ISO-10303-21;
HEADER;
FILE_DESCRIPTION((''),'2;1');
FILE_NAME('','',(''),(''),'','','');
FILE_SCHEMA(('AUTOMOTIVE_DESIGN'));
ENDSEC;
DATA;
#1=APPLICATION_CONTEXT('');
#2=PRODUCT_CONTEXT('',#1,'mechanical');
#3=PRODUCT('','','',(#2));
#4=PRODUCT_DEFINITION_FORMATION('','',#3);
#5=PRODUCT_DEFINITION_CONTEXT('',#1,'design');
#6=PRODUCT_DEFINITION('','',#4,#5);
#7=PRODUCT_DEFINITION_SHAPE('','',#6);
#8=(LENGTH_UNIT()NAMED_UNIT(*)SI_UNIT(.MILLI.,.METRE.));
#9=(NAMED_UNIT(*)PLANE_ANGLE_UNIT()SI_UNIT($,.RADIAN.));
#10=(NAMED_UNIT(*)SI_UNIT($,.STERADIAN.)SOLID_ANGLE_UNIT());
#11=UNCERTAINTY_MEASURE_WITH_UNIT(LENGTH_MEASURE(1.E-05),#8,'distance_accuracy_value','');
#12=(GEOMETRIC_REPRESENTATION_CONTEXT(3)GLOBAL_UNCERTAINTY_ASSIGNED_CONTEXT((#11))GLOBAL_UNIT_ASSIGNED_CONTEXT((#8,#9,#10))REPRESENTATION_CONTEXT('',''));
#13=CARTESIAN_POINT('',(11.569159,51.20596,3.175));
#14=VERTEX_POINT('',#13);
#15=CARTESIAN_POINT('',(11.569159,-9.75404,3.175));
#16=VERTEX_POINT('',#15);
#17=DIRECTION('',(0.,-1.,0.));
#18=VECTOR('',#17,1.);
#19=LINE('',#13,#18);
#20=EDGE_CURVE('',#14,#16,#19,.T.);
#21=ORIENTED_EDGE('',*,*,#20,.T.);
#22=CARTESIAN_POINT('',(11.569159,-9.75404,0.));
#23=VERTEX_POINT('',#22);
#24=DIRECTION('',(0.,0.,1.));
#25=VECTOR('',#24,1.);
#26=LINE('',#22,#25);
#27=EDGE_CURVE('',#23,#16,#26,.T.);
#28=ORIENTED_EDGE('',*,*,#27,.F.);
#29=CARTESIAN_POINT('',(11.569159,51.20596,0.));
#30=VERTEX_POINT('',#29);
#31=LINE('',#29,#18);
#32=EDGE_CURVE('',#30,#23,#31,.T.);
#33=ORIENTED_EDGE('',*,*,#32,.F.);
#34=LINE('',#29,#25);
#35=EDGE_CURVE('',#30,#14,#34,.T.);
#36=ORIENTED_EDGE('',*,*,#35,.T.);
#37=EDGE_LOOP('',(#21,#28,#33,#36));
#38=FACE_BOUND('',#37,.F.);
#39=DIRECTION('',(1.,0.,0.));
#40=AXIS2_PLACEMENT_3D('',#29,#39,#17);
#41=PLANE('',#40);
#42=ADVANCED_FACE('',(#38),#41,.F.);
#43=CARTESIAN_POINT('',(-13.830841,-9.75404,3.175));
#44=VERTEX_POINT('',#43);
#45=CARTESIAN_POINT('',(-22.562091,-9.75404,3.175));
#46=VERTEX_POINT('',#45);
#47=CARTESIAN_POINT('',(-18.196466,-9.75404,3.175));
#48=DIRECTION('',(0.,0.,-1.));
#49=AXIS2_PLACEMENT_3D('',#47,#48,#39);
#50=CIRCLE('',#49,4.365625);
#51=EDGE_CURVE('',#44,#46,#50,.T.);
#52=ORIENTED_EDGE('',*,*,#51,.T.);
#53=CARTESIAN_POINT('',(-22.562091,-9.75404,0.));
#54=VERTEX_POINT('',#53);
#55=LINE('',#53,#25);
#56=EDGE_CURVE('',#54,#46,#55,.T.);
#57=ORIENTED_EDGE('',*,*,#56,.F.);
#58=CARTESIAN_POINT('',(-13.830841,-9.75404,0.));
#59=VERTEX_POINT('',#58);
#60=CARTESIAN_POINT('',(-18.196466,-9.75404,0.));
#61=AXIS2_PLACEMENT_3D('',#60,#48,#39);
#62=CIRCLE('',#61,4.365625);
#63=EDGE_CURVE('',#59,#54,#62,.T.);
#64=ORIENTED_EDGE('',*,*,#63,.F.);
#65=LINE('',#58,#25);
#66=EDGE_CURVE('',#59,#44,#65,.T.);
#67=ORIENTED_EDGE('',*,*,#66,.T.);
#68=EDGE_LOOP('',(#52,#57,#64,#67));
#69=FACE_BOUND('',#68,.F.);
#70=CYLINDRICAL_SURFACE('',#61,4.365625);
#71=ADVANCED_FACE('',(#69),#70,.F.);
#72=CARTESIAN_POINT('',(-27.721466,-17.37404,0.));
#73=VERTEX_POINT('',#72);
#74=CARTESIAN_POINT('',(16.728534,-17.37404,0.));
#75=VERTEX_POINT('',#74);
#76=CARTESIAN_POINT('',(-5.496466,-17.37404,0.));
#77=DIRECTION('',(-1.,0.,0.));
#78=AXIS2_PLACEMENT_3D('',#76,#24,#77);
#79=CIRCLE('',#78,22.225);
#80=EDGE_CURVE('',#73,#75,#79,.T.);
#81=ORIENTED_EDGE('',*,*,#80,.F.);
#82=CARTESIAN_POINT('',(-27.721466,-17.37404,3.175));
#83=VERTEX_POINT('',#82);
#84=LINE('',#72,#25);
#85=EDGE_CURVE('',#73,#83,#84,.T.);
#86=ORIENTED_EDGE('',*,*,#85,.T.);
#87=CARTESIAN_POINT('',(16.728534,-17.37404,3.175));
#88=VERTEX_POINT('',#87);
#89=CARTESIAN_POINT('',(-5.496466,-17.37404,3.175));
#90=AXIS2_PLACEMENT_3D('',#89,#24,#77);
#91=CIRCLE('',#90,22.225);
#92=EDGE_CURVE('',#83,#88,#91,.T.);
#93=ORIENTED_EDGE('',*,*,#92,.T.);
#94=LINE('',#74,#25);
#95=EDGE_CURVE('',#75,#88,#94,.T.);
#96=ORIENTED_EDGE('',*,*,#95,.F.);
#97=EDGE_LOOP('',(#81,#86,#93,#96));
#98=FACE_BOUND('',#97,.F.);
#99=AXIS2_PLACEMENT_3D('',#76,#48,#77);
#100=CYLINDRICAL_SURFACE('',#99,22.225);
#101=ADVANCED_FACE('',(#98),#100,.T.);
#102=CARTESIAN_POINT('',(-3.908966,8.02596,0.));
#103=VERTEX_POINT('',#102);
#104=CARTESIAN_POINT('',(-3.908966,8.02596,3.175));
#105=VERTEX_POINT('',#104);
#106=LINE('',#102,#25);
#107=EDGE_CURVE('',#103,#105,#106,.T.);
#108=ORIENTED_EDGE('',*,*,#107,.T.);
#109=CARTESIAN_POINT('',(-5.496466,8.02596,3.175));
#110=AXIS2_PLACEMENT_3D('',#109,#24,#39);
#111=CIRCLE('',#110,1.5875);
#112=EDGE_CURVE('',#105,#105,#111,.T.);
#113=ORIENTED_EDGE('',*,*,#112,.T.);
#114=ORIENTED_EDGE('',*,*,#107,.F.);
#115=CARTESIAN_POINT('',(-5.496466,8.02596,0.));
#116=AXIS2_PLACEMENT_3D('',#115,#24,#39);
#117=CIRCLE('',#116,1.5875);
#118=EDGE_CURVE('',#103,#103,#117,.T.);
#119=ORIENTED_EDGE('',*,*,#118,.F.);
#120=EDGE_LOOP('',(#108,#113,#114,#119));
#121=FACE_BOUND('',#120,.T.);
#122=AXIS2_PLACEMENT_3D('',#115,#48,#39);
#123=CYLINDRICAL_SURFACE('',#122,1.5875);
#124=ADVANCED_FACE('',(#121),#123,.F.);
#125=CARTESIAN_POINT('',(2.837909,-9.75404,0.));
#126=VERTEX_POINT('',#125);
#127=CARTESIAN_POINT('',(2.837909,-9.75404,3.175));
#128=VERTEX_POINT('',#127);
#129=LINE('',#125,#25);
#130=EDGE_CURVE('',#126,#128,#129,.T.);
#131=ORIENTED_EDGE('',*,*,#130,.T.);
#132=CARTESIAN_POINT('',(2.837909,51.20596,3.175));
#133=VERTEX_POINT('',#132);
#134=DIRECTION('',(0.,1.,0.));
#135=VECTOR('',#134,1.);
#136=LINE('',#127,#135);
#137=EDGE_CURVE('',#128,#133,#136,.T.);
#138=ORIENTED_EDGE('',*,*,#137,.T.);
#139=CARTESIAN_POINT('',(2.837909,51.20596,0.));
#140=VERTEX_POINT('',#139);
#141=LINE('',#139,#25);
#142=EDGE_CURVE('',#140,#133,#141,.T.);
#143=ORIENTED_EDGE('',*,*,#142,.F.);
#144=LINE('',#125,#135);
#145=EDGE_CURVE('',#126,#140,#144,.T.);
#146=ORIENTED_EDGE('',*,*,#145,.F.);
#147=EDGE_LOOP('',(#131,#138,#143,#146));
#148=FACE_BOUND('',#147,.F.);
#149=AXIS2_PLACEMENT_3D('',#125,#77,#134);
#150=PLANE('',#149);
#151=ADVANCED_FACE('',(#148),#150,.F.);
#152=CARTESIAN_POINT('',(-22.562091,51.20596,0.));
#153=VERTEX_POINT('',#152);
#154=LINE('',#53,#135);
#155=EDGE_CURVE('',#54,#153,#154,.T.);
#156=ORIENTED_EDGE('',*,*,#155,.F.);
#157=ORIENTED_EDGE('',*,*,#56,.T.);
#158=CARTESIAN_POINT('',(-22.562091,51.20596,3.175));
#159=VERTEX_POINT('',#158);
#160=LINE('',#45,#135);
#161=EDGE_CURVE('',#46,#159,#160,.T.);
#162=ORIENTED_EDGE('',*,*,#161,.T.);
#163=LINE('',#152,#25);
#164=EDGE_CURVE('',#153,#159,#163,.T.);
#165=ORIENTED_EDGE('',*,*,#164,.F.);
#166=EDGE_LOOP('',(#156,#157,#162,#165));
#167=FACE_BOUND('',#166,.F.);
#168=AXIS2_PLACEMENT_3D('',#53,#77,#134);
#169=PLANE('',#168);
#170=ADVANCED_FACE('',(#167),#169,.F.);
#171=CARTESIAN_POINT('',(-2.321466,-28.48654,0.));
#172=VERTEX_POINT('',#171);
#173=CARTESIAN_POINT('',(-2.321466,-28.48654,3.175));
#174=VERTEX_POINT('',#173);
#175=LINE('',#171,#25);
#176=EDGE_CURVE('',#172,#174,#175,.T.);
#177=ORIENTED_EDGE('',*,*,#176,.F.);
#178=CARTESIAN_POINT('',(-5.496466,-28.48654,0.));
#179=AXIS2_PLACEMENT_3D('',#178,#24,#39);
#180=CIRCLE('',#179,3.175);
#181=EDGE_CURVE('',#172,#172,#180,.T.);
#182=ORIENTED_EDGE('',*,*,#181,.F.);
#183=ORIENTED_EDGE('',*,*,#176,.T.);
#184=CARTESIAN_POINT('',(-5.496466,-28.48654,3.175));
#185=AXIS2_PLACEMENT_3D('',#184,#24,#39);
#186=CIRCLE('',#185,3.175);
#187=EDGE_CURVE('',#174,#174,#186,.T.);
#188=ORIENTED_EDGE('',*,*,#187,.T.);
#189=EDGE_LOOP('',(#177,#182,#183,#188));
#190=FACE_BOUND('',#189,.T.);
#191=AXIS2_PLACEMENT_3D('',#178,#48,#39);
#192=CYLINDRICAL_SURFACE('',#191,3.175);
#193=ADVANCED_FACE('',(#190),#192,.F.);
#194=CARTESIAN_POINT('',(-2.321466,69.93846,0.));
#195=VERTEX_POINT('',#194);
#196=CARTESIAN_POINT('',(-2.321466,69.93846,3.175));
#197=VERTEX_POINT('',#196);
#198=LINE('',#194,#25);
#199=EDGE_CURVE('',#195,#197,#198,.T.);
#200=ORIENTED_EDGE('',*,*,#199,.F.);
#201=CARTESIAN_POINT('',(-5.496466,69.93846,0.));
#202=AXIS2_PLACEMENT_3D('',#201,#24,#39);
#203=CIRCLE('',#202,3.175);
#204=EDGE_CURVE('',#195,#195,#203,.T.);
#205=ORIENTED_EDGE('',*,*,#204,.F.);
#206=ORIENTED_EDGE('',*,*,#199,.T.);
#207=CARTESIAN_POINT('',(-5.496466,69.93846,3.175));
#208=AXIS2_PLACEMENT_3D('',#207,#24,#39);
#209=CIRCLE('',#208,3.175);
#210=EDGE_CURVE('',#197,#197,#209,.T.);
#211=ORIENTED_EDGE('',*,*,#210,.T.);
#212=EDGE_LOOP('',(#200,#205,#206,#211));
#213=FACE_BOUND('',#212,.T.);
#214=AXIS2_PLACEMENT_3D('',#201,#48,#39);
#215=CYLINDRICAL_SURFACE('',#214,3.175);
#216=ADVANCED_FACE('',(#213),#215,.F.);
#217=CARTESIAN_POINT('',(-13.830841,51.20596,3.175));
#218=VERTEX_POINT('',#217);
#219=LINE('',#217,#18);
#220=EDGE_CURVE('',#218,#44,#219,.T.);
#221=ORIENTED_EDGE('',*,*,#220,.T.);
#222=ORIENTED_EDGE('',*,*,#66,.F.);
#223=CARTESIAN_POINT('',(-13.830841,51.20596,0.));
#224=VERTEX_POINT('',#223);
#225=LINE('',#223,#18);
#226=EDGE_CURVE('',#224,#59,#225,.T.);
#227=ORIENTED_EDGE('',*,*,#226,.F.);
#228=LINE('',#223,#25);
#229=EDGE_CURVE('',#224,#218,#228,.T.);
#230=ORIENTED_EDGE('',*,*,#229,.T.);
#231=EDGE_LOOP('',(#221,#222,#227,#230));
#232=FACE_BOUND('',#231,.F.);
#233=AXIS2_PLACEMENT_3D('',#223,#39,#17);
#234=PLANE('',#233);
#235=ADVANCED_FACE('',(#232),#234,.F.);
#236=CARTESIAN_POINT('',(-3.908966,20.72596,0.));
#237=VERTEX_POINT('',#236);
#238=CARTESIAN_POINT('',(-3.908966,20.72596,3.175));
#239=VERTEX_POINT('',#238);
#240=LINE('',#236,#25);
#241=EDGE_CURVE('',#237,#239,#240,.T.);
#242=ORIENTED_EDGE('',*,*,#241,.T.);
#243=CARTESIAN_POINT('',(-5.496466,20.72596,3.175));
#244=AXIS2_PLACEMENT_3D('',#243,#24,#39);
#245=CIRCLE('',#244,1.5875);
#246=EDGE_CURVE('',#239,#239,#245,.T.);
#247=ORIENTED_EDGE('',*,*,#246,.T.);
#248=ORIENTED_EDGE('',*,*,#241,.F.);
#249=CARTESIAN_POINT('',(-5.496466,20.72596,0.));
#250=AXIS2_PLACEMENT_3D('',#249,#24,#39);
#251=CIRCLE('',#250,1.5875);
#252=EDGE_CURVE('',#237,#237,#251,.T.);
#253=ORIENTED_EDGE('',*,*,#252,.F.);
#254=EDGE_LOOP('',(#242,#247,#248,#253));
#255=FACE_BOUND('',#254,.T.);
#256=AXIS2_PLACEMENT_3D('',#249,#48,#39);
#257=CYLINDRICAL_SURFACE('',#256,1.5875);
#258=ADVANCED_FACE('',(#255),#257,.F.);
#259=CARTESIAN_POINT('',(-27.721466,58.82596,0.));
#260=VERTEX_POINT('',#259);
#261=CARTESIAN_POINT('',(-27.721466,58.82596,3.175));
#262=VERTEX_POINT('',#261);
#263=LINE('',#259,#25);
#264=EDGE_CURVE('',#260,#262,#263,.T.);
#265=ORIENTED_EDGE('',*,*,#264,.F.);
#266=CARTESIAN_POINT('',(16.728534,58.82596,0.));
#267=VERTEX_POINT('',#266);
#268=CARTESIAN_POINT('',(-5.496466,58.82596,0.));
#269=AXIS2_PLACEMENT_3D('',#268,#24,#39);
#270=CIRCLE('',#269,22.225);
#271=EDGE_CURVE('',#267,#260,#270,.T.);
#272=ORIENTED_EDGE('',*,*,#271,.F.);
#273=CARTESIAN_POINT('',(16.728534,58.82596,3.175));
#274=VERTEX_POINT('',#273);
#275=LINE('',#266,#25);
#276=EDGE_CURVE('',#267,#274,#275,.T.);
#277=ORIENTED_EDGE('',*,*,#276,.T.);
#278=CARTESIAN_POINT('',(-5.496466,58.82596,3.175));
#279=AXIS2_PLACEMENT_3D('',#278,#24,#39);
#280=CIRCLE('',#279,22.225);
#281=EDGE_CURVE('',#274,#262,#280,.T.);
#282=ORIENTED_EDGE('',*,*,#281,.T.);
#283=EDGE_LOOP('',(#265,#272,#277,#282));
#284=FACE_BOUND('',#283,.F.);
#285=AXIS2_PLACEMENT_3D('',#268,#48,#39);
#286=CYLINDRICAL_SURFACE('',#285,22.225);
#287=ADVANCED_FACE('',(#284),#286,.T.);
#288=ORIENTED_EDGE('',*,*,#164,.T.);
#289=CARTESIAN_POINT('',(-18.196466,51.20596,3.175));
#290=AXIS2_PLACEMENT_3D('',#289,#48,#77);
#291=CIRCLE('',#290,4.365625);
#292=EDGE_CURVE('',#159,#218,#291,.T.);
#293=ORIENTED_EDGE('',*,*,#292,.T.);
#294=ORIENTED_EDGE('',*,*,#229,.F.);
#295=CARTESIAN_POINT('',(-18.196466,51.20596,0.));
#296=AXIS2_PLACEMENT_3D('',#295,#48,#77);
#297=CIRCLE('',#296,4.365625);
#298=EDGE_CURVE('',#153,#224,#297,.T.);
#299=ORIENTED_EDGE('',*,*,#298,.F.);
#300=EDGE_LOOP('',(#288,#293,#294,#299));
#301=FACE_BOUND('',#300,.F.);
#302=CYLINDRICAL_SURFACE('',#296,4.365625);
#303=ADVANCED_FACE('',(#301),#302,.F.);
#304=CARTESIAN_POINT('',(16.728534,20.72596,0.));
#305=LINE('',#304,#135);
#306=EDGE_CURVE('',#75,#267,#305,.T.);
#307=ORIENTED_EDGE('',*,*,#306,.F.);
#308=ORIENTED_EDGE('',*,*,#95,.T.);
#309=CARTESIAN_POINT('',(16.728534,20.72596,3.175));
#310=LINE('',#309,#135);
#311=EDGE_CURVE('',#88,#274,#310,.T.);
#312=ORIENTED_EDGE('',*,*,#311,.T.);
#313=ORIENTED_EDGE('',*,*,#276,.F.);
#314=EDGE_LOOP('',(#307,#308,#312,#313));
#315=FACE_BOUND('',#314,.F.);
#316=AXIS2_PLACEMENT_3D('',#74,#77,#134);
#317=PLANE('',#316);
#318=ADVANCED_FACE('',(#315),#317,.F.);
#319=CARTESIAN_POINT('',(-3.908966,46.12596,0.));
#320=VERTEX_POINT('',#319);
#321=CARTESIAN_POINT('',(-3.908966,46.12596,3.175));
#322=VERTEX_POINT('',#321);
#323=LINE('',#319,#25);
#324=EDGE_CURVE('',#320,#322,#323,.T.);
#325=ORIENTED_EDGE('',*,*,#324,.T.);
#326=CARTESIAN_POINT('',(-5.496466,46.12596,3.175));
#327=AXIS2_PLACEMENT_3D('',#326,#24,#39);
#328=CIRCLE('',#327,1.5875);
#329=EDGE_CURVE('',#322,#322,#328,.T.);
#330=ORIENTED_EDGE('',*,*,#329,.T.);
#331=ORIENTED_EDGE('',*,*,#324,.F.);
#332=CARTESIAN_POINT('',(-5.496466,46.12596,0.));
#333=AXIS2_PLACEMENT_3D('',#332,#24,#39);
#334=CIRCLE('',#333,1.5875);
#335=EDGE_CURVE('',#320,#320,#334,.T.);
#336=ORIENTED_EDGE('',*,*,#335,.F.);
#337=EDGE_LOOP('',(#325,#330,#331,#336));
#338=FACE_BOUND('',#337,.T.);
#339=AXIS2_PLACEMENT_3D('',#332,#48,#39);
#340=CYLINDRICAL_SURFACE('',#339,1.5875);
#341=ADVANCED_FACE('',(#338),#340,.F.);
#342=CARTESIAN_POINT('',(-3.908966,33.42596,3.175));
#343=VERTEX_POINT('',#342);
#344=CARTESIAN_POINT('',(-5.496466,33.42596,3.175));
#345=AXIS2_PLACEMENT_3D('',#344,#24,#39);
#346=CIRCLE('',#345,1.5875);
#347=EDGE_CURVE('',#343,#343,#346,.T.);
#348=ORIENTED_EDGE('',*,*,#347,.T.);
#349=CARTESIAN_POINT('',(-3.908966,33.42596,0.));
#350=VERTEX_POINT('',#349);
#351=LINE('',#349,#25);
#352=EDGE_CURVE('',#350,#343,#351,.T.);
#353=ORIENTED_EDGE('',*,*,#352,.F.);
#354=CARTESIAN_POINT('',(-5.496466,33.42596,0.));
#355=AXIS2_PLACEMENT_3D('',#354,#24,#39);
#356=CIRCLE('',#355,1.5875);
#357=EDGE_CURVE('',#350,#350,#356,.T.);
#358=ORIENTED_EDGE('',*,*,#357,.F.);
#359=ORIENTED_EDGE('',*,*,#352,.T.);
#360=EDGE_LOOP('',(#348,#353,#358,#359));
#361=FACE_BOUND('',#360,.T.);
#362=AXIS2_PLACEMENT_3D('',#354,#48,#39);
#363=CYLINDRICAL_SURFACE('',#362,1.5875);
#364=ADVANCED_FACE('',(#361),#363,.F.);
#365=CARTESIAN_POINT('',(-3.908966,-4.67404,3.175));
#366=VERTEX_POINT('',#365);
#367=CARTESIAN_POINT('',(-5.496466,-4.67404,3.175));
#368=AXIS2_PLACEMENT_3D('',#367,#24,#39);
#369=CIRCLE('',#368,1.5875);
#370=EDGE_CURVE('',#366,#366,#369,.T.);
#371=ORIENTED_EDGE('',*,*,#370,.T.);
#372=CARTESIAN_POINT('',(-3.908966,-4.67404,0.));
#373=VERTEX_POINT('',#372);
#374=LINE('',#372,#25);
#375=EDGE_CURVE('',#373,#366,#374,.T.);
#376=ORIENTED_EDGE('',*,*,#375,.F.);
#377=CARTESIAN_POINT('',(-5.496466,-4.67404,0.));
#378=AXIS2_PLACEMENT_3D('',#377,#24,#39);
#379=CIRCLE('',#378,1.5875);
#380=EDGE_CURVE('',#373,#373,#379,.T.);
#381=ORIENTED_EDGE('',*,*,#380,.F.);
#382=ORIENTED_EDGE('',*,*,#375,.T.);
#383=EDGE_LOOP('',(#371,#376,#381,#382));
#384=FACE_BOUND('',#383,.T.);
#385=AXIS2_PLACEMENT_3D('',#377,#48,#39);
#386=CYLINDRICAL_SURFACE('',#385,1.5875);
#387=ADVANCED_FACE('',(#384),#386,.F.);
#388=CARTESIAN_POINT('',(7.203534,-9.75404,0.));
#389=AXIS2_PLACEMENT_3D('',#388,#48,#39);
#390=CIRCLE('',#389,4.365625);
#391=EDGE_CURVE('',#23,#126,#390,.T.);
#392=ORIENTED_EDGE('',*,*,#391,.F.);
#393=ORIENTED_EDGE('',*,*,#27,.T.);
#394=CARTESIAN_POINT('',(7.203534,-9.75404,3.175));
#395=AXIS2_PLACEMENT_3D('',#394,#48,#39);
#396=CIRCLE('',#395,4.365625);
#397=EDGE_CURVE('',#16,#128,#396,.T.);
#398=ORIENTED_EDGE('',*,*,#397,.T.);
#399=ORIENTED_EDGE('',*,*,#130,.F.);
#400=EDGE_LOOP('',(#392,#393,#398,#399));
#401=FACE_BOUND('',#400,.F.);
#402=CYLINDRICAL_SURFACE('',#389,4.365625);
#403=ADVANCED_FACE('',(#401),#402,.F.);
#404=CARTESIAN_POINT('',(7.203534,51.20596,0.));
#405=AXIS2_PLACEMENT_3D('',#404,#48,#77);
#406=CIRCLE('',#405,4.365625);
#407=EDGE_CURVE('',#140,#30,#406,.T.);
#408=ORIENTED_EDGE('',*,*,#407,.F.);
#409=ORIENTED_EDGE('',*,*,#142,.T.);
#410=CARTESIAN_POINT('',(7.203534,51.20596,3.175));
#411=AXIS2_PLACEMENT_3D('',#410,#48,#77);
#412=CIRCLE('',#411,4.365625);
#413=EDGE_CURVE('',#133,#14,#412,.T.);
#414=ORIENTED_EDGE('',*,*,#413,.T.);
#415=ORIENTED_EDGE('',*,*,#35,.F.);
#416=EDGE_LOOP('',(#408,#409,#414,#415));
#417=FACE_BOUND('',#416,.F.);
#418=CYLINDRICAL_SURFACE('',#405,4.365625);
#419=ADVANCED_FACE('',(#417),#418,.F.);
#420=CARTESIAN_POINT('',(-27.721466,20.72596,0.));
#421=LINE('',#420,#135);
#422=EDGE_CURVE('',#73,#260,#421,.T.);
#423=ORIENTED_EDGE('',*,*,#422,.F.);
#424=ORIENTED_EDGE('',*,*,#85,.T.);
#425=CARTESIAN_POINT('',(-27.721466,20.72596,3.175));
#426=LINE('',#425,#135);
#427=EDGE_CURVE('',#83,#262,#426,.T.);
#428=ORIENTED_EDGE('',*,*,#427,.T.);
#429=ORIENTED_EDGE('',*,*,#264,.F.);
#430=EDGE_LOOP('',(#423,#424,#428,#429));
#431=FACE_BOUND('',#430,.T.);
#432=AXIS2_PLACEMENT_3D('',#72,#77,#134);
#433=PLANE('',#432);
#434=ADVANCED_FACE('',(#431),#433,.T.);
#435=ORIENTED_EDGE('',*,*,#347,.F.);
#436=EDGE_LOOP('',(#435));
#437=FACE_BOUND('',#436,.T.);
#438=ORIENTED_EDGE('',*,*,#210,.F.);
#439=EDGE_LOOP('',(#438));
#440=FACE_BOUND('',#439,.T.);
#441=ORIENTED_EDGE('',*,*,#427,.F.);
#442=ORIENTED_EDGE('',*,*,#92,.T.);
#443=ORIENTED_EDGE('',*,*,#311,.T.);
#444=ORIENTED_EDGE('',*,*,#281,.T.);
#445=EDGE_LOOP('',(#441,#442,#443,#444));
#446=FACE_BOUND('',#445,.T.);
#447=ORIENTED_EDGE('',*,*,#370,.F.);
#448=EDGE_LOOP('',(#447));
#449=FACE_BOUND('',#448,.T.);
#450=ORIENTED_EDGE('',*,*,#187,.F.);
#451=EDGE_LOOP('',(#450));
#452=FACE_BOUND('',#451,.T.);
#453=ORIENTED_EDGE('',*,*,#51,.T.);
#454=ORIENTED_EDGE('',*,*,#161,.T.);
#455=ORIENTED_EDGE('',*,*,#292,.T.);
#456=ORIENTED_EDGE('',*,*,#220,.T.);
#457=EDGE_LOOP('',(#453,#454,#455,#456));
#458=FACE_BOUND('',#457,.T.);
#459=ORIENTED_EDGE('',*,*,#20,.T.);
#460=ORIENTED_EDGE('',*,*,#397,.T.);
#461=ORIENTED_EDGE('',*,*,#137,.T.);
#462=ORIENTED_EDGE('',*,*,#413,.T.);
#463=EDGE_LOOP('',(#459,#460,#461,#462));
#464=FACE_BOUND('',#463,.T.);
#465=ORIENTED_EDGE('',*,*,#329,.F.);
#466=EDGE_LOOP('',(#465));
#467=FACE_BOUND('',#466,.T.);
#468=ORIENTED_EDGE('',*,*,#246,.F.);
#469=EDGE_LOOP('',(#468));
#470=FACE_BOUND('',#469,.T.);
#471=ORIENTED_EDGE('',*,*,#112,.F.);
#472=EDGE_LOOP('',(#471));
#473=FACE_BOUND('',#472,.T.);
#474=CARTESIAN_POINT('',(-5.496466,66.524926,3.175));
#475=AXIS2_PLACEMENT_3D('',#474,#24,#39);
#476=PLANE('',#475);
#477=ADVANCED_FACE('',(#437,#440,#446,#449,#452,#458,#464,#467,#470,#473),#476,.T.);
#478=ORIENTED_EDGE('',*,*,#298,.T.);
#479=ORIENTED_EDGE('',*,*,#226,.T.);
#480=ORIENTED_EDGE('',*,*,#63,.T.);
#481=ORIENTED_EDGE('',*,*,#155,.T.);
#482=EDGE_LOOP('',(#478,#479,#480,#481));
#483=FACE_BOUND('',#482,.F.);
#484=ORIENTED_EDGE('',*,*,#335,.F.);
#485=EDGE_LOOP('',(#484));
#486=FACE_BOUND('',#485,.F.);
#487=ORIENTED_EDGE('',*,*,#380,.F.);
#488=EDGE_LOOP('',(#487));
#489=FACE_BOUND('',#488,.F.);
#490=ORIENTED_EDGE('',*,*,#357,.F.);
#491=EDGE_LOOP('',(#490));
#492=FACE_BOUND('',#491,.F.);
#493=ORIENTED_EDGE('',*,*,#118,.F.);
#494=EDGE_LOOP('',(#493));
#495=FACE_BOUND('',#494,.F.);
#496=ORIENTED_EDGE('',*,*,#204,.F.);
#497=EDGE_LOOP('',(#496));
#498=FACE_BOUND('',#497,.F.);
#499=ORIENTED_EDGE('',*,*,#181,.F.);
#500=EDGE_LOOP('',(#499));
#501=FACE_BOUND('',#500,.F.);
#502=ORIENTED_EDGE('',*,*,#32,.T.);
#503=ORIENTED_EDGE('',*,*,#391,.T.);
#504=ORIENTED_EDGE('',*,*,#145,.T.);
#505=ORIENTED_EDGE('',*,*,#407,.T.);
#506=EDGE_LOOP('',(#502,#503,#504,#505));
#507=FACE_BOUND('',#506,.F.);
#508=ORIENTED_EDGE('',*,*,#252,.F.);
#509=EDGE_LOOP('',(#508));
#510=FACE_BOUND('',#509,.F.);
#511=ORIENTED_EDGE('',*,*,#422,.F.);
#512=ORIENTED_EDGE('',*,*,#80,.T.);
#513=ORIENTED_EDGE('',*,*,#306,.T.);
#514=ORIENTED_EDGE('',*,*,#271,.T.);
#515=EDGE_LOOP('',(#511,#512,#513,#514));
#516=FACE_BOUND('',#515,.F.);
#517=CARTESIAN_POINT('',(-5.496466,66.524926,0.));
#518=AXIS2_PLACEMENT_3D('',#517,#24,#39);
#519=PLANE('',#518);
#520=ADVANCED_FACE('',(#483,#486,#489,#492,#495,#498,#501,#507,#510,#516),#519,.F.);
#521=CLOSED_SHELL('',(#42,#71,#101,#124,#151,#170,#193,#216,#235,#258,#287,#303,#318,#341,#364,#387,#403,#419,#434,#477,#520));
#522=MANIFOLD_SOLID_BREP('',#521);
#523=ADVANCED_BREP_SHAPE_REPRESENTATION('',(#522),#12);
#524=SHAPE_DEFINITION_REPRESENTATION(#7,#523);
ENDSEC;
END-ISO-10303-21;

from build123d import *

# Parameters (mm, degrees)
F0_R     = 3.175
F0_W     = 44.45
F0_H     = 76.2
F0_R_2   = 1.5875
F1_DEPTH = 3.175


with BuildPart() as f1:
    # F0 (on Top) → F1 (new body)
    with BuildSketch(Plane.XY):
        with BuildLine():
            ThreePointArc((16.728534, 58.82596), (-5.496466, 81.05096), (-27.721466, 58.82596))
            Line((-27.721466, 58.82596), (16.728534, 58.82596))
        make_face()
        with Locations((-5.496466, 69.93846)):
            Circle(F0_R, mode=Mode.SUBTRACT)
        with Locations((-5.496466, 20.72596)):
            Rectangle(F0_W, F0_H)
        with Locations((-5.496466, -4.67404)):
            Circle(F0_R_2, mode=Mode.SUBTRACT)
        with Locations((-5.496466, 8.02596)):
            Circle(F0_R_2, mode=Mode.SUBTRACT)
        with BuildLine():
            Line((-22.562091, -9.75404), (-22.562091, 51.20596))
            ThreePointArc((-22.562091, 51.20596), (-18.196466, 55.571585), (-13.830841, 51.20596))
            Line((-13.830841, 51.20596), (-13.830841, -9.75404))
            ThreePointArc((-13.830841, -9.75404), (-18.196466, -14.119665), (-22.562091, -9.75404))
        make_face(mode=Mode.SUBTRACT)
        with Locations((-5.496466, 46.12596)):
            Circle(F0_R_2, mode=Mode.SUBTRACT)
        with Locations((-5.496466, 20.72596)):
            Circle(F0_R_2, mode=Mode.SUBTRACT)
        with Locations((-5.496466, 33.42596)):
            Circle(F0_R_2, mode=Mode.SUBTRACT)
        with BuildLine():
            Line((2.837909, -9.75404), (2.837909, 51.20596))
            ThreePointArc((2.837909, 51.20596), (7.203534, 55.571585), (11.569159, 51.20596))
            Line((11.569159, 51.20596), (11.569159, -9.75404))
            ThreePointArc((11.569159, -9.75404), (7.203534, -14.119665), (2.837909, -9.75404))
        make_face(mode=Mode.SUBTRACT)
        with BuildLine():
            Line((16.728534, -17.37404), (-27.721466, -17.37404))
            ThreePointArc((-27.721466, -17.37404), (-5.496466, -39.59904), (16.728534, -17.37404))
        make_face()
        with Locations((-5.496466, -28.48654)):
            Circle(F0_R, mode=Mode.SUBTRACT)
    extrude(amount=F1_DEPTH)


solid = f1.part
